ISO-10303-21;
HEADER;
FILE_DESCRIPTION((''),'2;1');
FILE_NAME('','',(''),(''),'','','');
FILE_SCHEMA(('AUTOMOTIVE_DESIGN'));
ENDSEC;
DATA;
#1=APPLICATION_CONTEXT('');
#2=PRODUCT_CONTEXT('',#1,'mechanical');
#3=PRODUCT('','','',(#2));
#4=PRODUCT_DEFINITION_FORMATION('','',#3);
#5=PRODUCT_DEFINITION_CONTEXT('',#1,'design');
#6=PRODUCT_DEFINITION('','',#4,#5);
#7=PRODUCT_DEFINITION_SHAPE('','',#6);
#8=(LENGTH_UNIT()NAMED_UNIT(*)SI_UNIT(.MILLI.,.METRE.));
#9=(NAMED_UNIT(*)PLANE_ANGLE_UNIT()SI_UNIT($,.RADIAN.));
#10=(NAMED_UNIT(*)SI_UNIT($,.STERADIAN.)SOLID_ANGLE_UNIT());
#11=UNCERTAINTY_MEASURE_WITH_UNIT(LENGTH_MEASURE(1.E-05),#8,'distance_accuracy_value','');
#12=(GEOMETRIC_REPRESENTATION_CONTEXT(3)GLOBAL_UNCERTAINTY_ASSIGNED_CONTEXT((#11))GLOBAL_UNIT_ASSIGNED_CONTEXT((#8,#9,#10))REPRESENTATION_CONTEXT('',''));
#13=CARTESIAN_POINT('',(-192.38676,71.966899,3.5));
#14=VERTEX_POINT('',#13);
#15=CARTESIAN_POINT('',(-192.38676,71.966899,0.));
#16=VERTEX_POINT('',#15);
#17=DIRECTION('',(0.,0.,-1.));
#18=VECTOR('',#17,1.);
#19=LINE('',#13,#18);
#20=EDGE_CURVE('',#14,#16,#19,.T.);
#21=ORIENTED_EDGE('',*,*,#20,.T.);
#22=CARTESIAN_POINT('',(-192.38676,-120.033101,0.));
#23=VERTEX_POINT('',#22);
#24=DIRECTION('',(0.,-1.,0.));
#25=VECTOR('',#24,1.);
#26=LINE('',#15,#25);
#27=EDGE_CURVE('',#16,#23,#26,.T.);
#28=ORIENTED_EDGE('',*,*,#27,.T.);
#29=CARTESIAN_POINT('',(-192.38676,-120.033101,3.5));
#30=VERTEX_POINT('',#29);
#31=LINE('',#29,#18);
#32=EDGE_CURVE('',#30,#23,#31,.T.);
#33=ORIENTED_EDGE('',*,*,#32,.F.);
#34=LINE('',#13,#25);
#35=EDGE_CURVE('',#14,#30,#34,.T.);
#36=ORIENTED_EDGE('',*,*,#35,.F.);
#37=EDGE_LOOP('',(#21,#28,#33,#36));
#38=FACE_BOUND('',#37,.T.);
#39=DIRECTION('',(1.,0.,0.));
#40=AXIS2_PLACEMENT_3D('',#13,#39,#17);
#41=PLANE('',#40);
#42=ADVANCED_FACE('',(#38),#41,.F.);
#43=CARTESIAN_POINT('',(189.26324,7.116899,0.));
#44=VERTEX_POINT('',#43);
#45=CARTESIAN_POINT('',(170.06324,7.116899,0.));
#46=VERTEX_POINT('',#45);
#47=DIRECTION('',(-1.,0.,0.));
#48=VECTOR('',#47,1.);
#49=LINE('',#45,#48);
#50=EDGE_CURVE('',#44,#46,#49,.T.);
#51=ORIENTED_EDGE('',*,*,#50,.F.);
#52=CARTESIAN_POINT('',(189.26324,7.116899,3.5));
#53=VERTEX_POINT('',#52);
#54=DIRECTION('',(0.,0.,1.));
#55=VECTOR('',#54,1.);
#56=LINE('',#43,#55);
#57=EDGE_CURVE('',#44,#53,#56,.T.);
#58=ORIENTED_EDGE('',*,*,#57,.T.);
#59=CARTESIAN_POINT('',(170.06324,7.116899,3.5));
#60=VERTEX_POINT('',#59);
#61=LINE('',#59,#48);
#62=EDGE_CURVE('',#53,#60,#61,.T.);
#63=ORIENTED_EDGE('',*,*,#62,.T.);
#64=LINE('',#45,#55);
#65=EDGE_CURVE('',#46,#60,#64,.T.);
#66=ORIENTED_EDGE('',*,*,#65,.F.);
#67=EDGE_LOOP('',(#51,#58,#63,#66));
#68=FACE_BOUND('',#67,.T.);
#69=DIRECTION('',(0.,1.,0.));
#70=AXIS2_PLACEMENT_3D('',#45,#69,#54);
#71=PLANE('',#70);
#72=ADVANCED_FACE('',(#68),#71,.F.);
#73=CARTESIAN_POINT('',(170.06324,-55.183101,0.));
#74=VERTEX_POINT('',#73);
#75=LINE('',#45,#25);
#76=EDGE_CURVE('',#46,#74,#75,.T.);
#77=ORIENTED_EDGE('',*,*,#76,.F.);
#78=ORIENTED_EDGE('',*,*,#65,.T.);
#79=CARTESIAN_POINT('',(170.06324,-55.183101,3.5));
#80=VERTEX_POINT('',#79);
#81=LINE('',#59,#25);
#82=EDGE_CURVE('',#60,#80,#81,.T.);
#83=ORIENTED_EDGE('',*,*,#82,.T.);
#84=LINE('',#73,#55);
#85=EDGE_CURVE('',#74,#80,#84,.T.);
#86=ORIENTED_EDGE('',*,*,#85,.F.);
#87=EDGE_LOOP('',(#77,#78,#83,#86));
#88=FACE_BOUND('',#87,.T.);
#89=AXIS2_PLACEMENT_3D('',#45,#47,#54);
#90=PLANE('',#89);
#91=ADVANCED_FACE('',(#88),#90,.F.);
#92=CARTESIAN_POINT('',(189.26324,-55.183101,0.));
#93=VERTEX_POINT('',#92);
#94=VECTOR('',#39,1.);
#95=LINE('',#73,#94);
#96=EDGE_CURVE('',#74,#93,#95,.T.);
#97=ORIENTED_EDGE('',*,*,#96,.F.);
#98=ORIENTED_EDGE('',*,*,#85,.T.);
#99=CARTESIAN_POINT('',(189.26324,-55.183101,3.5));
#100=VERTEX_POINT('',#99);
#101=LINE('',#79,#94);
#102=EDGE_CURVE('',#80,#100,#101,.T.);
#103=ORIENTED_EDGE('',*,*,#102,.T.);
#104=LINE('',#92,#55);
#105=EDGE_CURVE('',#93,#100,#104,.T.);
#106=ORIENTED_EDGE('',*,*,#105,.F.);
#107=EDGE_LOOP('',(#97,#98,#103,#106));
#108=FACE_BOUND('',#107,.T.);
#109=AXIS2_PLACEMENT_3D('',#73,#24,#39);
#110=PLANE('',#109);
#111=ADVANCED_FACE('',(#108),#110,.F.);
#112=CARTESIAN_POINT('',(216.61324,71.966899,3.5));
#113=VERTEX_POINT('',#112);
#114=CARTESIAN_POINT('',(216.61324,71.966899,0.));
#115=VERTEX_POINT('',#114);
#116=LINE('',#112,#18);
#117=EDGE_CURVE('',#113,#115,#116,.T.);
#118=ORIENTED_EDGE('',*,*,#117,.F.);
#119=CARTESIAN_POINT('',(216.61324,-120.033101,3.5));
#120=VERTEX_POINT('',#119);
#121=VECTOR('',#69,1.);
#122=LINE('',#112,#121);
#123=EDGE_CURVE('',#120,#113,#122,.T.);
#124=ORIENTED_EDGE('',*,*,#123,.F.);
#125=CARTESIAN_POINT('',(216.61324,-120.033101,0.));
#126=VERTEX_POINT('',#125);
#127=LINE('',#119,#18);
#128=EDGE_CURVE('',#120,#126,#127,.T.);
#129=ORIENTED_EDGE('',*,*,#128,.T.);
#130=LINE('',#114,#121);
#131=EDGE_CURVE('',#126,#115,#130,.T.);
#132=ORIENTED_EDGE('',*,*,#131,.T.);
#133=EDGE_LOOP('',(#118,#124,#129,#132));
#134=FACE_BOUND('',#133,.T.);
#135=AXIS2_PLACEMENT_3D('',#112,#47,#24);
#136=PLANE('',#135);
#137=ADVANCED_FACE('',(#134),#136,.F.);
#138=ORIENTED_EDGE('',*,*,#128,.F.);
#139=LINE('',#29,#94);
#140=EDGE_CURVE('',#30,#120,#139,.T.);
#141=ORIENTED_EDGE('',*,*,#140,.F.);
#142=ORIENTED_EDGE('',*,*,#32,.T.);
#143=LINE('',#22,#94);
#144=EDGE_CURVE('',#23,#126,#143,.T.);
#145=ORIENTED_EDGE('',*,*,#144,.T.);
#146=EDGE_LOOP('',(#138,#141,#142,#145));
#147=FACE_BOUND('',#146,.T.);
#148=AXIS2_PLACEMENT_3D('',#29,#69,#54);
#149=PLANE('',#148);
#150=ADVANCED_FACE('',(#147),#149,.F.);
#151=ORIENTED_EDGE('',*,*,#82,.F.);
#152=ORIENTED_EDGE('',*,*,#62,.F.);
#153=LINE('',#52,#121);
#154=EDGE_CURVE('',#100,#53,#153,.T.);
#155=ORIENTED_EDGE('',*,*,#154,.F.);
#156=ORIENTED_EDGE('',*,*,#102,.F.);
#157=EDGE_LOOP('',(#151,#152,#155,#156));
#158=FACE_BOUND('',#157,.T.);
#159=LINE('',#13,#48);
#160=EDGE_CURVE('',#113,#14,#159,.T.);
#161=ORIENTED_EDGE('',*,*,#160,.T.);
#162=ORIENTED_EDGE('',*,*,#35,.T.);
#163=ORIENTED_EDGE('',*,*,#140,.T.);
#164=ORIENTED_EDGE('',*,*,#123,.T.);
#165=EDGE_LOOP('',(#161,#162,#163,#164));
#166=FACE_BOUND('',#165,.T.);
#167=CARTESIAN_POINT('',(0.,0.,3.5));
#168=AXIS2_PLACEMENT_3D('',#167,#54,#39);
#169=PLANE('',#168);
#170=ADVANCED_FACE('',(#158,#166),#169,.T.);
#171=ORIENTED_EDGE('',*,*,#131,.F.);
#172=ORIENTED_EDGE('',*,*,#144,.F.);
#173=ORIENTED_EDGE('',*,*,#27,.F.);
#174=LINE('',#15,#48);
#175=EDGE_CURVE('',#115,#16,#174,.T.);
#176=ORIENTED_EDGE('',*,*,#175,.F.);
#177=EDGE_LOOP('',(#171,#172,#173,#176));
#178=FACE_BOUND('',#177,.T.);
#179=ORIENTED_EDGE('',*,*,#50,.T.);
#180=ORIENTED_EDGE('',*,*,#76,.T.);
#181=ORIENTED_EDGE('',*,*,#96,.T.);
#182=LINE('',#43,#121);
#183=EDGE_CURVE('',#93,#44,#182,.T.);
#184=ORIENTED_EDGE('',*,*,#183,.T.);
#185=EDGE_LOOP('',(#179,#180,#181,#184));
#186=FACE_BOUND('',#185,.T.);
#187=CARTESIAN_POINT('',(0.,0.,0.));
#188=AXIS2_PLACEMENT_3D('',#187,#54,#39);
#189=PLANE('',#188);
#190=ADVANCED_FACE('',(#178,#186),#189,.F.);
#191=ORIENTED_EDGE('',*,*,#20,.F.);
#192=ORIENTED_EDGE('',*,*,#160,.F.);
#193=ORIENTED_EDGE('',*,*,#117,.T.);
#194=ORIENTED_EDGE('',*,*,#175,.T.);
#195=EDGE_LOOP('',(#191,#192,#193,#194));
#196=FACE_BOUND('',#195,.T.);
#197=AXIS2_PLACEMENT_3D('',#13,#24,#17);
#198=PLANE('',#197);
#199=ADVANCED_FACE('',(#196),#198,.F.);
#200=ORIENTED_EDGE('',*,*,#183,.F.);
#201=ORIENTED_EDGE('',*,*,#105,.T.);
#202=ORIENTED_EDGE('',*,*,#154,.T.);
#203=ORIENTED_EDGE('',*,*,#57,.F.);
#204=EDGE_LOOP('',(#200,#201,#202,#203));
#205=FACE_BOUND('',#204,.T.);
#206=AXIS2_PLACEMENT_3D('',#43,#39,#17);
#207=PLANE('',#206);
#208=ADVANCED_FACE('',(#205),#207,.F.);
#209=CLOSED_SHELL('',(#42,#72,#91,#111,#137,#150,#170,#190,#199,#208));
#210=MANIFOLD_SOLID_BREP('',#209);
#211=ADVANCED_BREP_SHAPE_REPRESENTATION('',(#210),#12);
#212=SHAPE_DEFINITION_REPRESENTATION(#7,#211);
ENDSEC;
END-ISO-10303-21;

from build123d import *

# Parameters (mm, degrees)
SKETCH1_W           = 409
SKETCH1_H           = 192
BOSS_EXTRUDE1_DEPTH = 3.5
SKETCH2_W           = 19.2
SKETCH2_H           = 62.3
CUT_EXTRUDE1_DEPTH  = 4.5


with BuildPart() as part:
    # Sketch1 → Boss-Extrude1 (new body)
    with BuildSketch(Plane.XY):
        with Locations((12.113240418, -24.033101045)):
            Rectangle(SKETCH1_W, SKETCH1_H)
    extrude(amount=BOSS_EXTRUDE1_DEPTH)

    # Sketch2 → Cut-Extrude1 (cut, through all)
    with BuildSketch(Plane.XY.offset(3.5)):
        with Locations((179.663240418, -24.033101045)):
            Rectangle(SKETCH2_W, SKETCH2_H)
    extrude(amount=-CUT_EXTRUDE1_DEPTH, mode=Mode.SUBTRACT)


solid = part.part
